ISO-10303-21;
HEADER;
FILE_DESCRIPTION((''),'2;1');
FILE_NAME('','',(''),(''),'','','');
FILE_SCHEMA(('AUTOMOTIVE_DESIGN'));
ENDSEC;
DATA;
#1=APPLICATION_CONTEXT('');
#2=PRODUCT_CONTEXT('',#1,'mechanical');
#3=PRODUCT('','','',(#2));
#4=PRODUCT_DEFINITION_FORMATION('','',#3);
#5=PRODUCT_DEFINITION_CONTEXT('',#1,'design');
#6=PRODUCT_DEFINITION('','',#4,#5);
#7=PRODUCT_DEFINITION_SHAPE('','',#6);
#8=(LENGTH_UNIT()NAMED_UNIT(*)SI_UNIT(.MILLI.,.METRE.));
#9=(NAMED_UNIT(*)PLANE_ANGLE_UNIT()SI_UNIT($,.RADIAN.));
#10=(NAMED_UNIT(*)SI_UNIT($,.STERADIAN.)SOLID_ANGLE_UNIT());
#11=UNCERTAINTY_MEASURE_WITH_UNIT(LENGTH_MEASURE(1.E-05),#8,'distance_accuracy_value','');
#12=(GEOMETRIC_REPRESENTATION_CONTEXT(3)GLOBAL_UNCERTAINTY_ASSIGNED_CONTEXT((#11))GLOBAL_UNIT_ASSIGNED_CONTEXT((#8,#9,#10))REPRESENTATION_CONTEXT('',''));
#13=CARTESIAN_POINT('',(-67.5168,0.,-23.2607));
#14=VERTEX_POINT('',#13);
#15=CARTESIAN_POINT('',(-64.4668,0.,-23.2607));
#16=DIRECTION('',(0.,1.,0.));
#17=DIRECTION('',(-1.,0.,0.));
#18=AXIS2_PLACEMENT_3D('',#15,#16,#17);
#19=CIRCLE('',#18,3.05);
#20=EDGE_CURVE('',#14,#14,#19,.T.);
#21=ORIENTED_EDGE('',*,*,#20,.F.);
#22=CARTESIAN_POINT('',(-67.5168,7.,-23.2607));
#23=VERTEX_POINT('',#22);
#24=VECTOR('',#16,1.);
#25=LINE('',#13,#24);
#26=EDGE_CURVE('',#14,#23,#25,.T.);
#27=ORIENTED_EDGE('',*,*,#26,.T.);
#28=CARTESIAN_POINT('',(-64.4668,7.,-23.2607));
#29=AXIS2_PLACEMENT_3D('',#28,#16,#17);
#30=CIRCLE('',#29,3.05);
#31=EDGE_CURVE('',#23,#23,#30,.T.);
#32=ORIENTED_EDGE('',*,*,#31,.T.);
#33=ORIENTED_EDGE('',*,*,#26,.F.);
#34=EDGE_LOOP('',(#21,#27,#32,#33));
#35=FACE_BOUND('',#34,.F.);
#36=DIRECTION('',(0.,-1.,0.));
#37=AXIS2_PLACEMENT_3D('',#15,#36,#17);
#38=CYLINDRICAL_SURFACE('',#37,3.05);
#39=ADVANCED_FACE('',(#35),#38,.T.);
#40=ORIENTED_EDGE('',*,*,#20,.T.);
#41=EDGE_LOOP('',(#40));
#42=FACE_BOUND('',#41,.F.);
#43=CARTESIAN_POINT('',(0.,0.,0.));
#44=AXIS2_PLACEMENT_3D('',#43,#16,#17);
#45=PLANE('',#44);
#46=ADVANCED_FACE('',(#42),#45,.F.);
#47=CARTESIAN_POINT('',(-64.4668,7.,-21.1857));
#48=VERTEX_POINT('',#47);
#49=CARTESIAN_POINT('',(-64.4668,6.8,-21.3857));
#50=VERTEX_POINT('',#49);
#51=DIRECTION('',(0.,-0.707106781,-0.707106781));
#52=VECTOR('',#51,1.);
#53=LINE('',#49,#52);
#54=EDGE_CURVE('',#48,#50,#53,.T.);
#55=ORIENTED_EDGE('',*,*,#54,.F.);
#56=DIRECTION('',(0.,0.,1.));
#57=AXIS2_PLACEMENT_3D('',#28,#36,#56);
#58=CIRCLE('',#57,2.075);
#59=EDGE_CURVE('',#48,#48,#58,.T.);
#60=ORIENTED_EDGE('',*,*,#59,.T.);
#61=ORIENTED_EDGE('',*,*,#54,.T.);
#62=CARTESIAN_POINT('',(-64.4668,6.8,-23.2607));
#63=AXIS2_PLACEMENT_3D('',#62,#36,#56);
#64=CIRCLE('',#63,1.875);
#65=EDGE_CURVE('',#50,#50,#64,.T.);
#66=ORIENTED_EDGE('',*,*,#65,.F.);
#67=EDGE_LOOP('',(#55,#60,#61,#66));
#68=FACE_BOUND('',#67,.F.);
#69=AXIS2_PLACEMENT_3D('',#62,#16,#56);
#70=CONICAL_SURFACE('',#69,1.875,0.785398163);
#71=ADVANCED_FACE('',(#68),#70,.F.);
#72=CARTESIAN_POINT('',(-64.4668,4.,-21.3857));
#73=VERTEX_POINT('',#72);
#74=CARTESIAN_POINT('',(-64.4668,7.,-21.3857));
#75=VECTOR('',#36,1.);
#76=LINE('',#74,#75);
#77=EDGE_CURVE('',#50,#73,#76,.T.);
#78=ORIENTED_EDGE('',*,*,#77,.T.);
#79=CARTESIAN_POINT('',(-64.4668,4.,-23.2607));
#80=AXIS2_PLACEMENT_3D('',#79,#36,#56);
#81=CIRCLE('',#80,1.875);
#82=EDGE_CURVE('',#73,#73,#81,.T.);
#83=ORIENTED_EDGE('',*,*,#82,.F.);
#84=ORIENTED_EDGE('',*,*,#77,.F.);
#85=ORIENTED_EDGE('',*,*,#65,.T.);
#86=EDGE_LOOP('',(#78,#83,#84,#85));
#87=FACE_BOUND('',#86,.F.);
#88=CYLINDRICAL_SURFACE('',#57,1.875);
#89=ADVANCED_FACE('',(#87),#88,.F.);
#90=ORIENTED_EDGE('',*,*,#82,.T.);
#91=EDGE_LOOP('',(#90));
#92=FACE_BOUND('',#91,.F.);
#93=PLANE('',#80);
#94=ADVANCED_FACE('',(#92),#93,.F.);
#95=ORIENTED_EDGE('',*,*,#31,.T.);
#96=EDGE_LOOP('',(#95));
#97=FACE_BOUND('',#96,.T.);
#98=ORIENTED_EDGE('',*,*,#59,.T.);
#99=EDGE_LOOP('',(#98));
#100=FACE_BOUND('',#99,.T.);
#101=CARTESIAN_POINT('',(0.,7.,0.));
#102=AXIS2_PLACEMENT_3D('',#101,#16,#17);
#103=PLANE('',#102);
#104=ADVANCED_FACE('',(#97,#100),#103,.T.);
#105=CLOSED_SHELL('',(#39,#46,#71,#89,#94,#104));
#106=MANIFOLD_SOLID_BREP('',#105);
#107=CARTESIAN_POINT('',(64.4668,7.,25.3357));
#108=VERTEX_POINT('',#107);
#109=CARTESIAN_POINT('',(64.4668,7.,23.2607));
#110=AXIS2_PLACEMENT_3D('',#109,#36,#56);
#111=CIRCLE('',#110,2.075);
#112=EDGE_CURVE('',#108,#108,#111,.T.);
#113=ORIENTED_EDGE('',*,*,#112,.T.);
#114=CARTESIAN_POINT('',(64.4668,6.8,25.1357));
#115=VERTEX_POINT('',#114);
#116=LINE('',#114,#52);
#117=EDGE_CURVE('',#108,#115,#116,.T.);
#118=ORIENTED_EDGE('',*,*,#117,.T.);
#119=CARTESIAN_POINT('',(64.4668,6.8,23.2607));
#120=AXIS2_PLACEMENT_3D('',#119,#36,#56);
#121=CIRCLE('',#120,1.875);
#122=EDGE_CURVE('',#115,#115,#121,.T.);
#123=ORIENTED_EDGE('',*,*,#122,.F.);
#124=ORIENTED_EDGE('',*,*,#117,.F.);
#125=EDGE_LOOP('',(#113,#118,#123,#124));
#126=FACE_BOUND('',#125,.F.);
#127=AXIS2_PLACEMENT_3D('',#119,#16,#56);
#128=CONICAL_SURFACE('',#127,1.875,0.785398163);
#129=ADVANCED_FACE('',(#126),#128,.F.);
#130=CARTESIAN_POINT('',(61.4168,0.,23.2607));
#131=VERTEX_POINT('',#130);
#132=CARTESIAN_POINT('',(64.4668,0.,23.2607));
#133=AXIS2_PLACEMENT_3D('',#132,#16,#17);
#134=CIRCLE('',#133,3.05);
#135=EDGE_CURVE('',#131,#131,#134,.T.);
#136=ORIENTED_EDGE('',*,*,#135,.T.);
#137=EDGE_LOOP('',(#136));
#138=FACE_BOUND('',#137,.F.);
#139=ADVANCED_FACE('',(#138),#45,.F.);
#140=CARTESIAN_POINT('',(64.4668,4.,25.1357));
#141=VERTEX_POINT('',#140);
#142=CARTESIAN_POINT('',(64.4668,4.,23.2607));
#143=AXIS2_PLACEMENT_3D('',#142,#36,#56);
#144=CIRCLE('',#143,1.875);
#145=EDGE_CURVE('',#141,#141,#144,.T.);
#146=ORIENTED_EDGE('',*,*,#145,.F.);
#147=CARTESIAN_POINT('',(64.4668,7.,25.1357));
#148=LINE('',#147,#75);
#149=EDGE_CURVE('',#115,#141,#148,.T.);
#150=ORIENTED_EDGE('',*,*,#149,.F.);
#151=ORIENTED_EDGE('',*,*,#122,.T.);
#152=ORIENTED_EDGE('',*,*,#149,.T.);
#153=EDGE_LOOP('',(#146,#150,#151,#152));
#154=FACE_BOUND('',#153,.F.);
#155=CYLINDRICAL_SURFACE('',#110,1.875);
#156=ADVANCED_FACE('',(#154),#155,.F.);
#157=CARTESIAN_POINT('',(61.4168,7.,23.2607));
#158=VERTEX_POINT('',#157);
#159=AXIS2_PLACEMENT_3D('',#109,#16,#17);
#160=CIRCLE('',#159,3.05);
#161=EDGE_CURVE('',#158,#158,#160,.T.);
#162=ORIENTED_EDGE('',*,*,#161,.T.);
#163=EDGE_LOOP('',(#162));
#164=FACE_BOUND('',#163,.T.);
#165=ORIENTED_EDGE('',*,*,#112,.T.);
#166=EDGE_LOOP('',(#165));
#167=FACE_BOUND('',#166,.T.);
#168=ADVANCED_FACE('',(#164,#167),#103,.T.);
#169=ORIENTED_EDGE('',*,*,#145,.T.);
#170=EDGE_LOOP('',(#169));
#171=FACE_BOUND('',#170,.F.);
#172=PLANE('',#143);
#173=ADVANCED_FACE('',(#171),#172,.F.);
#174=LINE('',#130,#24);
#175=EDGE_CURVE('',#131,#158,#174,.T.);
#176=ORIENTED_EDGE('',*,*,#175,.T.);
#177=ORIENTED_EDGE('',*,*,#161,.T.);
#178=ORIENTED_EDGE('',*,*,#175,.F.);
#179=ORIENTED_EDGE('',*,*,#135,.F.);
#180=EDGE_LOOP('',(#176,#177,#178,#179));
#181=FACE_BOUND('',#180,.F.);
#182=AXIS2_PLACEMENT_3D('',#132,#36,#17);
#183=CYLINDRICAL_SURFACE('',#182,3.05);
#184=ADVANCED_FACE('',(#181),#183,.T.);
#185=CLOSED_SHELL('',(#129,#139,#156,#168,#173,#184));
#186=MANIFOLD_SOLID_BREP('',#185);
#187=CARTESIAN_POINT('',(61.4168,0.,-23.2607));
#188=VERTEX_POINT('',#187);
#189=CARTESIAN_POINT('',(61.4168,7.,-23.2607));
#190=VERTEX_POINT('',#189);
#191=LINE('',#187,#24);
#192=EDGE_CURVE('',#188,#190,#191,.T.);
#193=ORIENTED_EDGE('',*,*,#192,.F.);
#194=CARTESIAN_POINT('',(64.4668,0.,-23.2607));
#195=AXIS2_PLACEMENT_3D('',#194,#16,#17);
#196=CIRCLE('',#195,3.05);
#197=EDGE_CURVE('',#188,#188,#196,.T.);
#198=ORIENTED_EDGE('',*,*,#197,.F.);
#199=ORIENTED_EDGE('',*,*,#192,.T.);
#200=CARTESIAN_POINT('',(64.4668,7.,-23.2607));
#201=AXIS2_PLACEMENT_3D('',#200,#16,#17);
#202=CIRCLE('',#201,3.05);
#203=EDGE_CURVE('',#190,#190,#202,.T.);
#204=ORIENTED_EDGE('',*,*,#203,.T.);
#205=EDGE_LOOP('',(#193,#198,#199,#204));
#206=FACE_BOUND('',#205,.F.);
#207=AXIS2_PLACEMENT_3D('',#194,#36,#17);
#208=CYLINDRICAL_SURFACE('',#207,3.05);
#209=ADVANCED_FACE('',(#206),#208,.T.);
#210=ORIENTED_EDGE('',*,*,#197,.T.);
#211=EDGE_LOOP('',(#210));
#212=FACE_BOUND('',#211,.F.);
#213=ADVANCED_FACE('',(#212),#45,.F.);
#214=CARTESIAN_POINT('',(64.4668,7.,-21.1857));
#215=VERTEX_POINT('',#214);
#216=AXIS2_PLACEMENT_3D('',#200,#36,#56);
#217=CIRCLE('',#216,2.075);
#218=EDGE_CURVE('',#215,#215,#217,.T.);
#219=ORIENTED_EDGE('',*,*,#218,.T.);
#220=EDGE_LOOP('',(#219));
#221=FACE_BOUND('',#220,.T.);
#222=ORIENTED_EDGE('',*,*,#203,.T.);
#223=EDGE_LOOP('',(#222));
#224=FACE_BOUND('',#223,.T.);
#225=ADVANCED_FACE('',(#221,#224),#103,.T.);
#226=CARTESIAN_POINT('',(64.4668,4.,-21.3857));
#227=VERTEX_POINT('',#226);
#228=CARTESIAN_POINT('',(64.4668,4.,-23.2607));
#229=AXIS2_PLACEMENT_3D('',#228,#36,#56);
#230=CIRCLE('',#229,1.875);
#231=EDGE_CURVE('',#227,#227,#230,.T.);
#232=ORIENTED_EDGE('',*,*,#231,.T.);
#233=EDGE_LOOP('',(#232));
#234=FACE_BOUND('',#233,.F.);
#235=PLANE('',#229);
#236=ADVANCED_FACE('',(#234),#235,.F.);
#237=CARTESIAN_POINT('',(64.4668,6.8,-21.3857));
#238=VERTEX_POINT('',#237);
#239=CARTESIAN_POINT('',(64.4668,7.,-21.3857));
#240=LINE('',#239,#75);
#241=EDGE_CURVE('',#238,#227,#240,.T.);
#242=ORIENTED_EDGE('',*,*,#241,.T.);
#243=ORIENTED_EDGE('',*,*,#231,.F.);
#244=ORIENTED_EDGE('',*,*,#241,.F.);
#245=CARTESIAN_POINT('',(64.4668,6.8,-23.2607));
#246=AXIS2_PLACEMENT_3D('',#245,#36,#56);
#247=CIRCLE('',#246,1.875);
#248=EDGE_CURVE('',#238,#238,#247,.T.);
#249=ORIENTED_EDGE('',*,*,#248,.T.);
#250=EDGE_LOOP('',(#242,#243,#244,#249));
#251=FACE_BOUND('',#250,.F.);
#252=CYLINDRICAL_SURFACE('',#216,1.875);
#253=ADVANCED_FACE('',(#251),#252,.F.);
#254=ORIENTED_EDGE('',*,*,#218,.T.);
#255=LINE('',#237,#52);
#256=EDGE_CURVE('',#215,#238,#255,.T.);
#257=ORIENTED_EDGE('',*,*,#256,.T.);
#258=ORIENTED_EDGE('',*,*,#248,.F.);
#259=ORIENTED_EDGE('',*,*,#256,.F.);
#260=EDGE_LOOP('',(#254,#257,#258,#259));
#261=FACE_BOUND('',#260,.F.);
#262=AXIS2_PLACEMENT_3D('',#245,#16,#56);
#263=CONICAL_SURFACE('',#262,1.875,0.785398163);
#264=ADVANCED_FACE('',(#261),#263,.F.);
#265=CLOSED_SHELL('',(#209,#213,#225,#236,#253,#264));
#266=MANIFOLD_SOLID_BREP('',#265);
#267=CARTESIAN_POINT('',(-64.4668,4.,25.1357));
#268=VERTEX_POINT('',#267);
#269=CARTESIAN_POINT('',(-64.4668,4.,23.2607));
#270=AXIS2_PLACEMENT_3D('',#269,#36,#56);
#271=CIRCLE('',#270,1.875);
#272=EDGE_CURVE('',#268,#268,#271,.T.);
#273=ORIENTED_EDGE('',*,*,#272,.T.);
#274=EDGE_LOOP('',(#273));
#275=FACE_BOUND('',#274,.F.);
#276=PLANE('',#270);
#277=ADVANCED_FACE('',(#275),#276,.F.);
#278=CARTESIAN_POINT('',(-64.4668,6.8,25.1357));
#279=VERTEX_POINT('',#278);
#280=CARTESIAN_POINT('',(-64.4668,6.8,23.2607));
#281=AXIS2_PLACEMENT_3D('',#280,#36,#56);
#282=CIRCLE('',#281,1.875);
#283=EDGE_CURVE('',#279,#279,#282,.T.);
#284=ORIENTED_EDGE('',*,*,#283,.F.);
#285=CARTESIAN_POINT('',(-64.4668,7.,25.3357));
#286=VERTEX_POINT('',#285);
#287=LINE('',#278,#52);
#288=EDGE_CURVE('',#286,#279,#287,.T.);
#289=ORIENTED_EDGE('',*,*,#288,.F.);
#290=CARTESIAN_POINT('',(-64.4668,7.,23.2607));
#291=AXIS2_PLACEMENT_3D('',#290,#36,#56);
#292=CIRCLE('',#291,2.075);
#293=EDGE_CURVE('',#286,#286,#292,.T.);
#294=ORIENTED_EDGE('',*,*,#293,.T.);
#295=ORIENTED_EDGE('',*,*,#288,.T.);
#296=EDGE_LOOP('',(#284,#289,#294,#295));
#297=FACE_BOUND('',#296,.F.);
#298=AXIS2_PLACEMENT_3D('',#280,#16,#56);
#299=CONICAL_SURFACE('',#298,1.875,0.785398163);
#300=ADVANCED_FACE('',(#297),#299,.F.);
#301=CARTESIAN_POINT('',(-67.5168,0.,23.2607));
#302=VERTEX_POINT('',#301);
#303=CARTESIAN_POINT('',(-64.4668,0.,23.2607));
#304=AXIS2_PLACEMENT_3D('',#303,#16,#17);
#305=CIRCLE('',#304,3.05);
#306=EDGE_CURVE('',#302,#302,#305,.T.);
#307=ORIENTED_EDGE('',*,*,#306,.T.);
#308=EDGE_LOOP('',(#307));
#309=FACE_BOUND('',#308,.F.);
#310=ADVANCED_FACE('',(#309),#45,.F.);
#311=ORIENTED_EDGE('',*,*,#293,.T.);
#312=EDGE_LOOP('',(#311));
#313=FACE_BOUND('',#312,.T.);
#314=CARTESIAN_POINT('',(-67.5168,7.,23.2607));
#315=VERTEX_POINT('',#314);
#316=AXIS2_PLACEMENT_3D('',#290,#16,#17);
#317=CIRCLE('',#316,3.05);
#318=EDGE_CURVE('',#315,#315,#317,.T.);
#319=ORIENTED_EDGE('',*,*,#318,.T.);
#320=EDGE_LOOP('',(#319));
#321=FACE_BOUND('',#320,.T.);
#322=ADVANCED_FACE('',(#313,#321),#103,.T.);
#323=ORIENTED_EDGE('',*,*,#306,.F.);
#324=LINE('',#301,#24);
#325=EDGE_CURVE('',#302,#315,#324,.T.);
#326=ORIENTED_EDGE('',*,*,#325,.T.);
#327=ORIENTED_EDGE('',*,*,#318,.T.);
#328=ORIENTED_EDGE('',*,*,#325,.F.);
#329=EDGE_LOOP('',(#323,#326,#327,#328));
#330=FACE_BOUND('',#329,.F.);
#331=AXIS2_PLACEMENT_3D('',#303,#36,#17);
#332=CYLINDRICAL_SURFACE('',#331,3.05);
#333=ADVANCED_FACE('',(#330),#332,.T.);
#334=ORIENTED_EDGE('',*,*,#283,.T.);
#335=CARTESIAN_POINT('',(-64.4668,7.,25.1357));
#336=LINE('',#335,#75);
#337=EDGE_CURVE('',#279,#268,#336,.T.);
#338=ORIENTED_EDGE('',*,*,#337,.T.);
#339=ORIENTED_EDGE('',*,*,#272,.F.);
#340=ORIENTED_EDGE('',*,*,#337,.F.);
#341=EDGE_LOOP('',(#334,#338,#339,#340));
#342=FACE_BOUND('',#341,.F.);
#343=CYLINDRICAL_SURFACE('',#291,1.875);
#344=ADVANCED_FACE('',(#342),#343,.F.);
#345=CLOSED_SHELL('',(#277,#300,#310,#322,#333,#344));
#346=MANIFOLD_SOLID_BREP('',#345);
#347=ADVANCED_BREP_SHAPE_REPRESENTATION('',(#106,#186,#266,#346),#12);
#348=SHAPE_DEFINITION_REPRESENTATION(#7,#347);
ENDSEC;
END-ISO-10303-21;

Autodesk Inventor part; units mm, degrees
ref_plane "YZ Plane" through (0, 0, 0) normal (1, 0, 0) x (0, 1, 0)
ref_plane "XZ Plane" through (0, 0, 0) normal (0, 1, 0) x (-1, 0, 0)
ref_plane "XY Plane" through (0, 0, 0) normal (0, 0, 1) x (1, 0, 0)
sketch "Sketch1" plane through (0, 0, 0) normal (0, 1, 0) x (-1, 0, 0)
  line L0 (64.4668, 23.2607) -> (-64.4668, 23.2607) construction
  line L1 (-64.4668, 23.2607) -> (-64.4668, -23.2607) construction
  line L2 (-64.4668, -23.2607) -> (64.4668, -23.2607) construction
  line L3 (64.4668, -23.2607) -> (64.4668, 23.2607) construction
  line L4 (64.4668, 23.2607) -> (-64.4668, -23.2607) construction
  line L5 (-64.4668, 23.2607) -> (64.4668, -23.2607) construction
  circle A0 centre (64.4668, -23.2607) radius 1.55 construction
  line L6 (0, -23.2607) -> (0, 23.2607) construction
  line L7 (64.4668, 0) -> (-64.4668, 0) construction
  circle A1 centre (-64.4668, -23.2607) radius 1.55 construction
  circle A2 centre (64.4668, 23.2607) radius 1.55 construction
  circle A3 centre (-64.4668, 23.2607) radius 1.55 construction
  line L8 (67.4168, -26.2107) -> (-67.4168, -26.2107) construction
  line L9 (-67.4168, -26.2107) -> (-67.4168, 26.2107) construction
  line L10 (-67.4168, 26.2107) -> (67.4168, 26.2107) construction
  line L11 (67.4168, 26.2107) -> (67.4168, -26.2107) construction
  line L12 (66.0168, -23.2607) -> (67.4168, -23.2607) construction
  line L13 (-64.4668, 24.8107) -> (-64.4668, 26.2107) construction
  line L14 (-66.0168, 23.2607) -> (-67.4168, 23.2607) construction
  point P0 (0, 0)
  dimension "d2" = 3.1
  dimension "d0" = 46.5214
  dimension "d1" = 128.9336
  dimension "d5" = 1.4
  dimension "d6" = 1.4
  dimension "d7" = 1.4
  dimension "d8" = 1.4
sketch "Sketch2" plane through (0, 0, 0) normal (0, 1, 0) x (-1, 0, 0)
  circle A0 centre (64.4668, -23.2607) radius 1.55 construction
  circle A1 centre (-64.4668, -23.2607) radius 1.55 construction
  circle A2 centre (-64.4668, 23.2607) radius 1.55 construction
  circle A3 centre (64.4668, 23.2607) radius 1.55 construction
  circle A4 centre (64.4668, -23.2607) radius 3.05
  circle A5 centre (-64.4668, -23.2607) radius 3.05
  circle A6 centre (-64.4668, 23.2607) radius 3.05
  circle A7 centre (64.4668, 23.2607) radius 3.05
  point P0 (0, 0)
  dimension "d9" = 1.5
extrude "Extrusion2" add sketch "Sketch2" along normal blind 7
sketch "Sketch3" plane through (-64.4668, 7, -23.2607) normal (0, 1, 0) x (1, 0, 0)
  circle A0 centre (0, 0) radius 3.05 projected
  circle A1 centre (128.9336, 0) radius 3.05 projected
  circle A2 centre (128.9336, -46.5214) radius 3.05 projected
  circle A3 centre (0, -46.5214) radius 3.05 projected
  point P0 (64.4668, -23.2607)
hole "Hole1" at (-64.4668, 7, -23.2607) at (64.4668, 7, -23.2607) at (64.4668, 7, 23.2607) at (-64.4668, 7, 23.2607) direction (0, -1, 0) diameter 3.75 depth 3
chamfer "Chamfer1" distance 0.2 angle 45 4 edges at (-64.4668, 7, 21.3857) (64.4668, 7, 21.3857) (64.4668, 7, -25.1357) (-64.4668, 7, -25.1357)
properties part number "relay_module_standoffs"
